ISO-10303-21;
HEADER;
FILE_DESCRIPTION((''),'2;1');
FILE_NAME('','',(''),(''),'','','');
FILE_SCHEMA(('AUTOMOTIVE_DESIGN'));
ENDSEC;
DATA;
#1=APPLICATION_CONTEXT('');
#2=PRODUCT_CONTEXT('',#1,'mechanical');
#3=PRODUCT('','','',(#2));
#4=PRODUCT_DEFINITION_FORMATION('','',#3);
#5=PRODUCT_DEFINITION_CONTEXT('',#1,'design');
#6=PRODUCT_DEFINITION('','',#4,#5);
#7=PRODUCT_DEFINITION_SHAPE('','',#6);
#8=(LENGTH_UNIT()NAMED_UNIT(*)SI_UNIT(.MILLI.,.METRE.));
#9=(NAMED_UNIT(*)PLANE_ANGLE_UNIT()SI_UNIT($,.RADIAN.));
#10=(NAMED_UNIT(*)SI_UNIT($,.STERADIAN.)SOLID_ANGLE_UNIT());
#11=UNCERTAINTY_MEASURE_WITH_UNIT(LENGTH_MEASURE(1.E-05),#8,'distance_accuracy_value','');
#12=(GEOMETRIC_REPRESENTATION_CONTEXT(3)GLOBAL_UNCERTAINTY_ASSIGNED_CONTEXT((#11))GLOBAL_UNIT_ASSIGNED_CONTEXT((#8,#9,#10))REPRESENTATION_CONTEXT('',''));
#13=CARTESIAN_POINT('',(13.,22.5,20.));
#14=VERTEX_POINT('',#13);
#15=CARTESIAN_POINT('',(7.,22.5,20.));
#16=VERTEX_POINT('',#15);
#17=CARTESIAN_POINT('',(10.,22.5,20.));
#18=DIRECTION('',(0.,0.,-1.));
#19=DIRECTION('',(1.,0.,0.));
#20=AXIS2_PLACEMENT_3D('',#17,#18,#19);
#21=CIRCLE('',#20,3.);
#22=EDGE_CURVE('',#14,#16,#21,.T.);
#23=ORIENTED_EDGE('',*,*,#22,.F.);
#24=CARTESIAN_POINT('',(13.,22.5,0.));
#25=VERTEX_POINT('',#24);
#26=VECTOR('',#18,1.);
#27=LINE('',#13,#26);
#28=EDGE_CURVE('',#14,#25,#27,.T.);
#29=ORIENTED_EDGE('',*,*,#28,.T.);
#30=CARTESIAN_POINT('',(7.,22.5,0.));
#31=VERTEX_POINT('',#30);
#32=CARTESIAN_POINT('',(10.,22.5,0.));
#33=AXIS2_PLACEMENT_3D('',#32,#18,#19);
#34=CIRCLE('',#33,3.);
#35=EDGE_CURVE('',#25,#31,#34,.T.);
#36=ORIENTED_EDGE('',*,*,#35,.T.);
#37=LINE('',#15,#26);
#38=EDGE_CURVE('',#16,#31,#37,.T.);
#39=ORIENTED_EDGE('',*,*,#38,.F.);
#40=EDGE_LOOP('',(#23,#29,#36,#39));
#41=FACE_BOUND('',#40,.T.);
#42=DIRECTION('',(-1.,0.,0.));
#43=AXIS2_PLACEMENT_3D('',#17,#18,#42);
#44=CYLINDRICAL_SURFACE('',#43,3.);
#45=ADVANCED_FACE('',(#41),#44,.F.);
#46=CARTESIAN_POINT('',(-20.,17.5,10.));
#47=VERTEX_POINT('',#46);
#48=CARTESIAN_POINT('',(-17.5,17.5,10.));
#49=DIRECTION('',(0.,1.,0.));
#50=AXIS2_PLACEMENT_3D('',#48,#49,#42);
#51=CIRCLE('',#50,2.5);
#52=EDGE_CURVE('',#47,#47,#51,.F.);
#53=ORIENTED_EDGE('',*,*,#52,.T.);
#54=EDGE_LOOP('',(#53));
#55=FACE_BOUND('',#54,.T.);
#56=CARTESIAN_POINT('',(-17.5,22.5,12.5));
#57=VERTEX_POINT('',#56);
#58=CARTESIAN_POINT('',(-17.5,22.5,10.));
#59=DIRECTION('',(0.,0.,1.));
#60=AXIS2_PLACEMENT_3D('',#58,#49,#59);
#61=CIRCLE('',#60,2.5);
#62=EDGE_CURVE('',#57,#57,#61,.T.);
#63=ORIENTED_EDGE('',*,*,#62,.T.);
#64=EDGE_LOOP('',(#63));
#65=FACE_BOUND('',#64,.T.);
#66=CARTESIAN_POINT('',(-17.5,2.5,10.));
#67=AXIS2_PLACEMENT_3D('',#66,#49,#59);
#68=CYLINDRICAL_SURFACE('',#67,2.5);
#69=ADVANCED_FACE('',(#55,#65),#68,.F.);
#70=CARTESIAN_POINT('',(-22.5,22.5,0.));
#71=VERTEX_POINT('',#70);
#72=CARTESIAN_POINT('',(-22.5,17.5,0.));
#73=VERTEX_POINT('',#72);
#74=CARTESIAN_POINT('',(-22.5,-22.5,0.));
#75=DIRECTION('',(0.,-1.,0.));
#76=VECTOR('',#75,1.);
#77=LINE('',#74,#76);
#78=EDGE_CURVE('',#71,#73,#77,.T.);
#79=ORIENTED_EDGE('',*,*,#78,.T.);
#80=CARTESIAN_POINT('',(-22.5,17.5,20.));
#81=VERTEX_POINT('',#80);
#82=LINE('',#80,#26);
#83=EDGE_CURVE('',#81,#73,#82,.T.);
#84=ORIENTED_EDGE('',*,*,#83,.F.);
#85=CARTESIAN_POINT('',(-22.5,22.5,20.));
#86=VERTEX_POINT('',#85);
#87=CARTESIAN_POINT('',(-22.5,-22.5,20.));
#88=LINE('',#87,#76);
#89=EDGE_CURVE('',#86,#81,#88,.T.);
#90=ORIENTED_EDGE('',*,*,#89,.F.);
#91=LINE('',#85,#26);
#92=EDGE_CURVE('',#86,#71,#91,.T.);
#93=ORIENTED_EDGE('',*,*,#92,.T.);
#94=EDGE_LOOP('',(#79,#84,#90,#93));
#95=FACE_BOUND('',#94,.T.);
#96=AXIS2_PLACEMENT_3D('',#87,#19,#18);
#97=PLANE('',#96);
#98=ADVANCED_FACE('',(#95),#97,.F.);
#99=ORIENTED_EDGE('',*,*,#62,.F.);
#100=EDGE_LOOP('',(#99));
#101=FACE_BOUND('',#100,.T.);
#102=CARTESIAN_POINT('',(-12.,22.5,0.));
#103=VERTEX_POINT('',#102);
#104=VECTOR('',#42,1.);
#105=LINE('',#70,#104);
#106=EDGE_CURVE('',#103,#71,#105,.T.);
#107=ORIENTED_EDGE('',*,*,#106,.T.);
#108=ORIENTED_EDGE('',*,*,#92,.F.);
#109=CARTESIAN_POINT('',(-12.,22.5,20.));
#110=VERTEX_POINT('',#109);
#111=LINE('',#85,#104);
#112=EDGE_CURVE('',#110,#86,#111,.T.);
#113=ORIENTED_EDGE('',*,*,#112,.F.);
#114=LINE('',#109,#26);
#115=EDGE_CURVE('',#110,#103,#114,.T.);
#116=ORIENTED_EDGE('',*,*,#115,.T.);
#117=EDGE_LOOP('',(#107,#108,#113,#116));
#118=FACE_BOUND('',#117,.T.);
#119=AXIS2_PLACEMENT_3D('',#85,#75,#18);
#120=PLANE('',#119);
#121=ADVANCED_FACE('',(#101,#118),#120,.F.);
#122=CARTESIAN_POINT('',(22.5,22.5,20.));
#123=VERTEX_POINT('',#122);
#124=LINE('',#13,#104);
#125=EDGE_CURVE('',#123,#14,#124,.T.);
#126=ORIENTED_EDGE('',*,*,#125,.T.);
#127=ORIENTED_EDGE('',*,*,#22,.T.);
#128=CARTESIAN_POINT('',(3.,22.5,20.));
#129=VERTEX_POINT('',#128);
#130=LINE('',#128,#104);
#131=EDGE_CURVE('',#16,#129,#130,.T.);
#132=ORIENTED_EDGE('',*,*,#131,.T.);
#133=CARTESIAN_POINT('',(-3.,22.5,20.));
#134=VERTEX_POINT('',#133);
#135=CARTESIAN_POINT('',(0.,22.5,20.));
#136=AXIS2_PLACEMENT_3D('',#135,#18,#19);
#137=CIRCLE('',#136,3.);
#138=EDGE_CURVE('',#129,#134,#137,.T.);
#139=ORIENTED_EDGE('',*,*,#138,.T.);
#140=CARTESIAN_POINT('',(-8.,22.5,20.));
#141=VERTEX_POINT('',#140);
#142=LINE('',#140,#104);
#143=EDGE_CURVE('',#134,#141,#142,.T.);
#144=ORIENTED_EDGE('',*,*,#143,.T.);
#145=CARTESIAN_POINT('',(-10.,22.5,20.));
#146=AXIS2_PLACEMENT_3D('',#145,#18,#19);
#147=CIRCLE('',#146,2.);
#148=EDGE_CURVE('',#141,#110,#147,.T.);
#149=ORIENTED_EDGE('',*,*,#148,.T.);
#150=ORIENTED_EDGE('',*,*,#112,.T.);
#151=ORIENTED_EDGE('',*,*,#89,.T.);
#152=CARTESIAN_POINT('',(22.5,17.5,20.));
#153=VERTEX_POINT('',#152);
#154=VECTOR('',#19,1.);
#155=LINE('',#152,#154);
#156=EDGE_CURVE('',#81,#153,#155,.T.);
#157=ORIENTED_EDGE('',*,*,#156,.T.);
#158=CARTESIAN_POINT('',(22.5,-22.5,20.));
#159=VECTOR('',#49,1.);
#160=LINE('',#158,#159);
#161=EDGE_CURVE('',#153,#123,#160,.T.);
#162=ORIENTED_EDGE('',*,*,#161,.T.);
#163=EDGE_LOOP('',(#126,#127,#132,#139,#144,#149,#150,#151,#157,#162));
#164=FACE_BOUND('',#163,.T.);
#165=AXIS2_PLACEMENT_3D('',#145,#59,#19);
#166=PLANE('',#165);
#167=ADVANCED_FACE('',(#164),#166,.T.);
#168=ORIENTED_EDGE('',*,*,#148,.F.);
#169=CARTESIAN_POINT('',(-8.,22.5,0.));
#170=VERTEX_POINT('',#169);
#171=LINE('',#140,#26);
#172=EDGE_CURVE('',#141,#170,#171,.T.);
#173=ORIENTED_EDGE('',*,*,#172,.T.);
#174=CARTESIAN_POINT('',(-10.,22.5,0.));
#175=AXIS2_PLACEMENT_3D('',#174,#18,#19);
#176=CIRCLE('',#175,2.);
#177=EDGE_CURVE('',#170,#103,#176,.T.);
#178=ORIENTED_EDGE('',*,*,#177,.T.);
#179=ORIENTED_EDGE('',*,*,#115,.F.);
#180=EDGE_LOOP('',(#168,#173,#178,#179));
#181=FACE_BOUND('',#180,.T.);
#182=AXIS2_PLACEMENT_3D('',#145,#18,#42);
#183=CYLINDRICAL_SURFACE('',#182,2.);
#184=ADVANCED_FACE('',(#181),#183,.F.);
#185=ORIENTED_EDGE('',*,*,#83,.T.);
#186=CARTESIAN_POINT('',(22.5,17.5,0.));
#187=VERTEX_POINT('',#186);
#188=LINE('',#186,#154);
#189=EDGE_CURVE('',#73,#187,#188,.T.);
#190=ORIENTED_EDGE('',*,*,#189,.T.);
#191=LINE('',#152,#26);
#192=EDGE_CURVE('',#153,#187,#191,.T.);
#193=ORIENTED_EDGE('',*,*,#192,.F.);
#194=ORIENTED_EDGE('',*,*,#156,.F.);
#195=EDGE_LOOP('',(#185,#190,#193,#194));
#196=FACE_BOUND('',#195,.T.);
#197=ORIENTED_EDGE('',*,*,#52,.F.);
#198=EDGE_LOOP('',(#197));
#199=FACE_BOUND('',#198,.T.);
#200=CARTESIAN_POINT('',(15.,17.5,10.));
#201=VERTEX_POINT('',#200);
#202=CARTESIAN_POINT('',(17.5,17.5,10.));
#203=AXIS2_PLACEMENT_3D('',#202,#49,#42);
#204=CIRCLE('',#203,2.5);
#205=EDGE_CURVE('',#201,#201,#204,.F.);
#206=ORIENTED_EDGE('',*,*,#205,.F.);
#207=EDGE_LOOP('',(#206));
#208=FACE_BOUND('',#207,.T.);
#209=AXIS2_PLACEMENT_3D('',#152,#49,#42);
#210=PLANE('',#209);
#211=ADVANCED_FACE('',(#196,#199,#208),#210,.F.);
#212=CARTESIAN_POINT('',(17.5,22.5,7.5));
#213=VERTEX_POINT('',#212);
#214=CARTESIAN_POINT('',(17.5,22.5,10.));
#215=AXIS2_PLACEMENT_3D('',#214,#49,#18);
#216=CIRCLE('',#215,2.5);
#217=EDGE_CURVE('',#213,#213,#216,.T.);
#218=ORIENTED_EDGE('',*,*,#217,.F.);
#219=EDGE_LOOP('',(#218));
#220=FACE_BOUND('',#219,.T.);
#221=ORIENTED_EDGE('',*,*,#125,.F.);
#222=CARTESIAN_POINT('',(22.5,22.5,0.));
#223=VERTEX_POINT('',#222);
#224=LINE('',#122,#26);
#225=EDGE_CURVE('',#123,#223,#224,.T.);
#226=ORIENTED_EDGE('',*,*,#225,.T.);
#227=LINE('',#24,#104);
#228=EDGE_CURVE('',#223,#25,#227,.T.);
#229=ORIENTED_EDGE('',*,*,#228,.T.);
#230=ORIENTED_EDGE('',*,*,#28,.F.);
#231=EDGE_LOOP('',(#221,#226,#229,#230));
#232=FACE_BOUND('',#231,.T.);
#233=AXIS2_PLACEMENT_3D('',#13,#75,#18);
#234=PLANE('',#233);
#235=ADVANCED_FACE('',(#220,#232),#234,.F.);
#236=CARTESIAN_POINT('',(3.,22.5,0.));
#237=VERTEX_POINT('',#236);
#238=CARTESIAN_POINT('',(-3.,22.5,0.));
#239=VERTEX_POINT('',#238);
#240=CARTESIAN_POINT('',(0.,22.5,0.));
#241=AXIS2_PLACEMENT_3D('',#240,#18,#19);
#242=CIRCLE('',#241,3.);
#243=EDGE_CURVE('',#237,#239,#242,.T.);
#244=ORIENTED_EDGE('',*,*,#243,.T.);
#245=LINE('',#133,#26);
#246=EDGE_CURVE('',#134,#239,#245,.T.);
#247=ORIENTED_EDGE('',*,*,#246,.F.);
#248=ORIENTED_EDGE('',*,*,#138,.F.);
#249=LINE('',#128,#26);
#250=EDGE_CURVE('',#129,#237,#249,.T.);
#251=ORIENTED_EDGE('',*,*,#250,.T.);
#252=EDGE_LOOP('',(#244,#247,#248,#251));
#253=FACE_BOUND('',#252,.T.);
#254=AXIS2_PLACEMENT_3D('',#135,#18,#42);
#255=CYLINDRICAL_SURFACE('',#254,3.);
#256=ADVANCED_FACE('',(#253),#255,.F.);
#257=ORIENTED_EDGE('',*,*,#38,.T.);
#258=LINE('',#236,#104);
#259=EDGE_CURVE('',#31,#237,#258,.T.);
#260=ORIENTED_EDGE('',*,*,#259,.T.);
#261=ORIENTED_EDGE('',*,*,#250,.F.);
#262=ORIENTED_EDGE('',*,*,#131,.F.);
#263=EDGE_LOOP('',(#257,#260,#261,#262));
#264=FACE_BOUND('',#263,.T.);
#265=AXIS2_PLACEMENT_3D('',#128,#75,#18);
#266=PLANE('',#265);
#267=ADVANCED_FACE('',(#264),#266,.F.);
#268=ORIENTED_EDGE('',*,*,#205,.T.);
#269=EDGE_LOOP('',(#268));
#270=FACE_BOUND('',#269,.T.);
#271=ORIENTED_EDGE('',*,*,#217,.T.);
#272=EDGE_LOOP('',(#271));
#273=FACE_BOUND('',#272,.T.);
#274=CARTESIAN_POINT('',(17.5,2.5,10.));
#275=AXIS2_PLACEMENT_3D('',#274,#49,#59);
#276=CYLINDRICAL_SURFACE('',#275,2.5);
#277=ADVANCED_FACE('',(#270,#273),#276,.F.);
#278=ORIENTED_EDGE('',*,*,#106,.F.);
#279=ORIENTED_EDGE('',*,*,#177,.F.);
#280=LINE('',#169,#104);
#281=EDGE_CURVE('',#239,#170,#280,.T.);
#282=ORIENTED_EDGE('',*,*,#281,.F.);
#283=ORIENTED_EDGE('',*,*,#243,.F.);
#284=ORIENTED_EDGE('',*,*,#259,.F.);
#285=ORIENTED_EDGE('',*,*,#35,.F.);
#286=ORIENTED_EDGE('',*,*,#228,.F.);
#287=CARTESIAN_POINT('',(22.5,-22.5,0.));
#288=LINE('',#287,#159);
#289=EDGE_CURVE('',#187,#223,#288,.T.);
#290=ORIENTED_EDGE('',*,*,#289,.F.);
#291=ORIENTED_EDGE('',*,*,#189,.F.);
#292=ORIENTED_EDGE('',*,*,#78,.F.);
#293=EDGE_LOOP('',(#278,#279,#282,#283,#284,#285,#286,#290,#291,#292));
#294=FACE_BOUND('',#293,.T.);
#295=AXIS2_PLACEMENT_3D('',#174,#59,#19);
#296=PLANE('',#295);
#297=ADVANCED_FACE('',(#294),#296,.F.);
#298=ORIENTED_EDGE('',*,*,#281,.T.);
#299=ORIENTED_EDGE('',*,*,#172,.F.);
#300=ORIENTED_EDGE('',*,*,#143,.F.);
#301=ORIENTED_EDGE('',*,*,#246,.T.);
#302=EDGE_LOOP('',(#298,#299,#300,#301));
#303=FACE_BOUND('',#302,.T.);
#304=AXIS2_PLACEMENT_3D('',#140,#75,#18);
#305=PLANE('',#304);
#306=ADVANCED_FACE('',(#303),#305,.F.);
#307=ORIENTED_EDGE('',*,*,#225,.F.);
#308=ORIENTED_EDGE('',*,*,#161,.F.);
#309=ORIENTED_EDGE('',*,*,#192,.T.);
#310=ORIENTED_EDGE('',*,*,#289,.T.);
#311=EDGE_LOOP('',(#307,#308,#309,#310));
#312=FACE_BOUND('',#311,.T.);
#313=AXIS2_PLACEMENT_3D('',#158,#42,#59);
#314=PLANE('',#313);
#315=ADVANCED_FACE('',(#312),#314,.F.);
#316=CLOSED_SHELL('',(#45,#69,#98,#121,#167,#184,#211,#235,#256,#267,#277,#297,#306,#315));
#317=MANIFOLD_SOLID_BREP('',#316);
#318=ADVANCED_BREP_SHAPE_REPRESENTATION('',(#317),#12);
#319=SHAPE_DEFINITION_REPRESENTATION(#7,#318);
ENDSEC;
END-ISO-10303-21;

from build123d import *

# Parameters (mm, degrees)
BOSS_EXTRUDE1_DEPTH = 20
SKETCH2_R           = 2.5
CUT_EXTRUDE1_DEPTH  = 20
SKETCH3_W           = 45
SKETCH3_H           = 40
CUT_EXTRUDE2_DEPTH  = 20


with BuildPart() as part:
    # Sketch1 → Boss-Extrude1 (new body)
    with BuildSketch(Plane.XY):
        with BuildLine():
            Line((-22.5, -22.5), (22.5, -22.5))
            Line((22.5, -22.5), (22.5, 22.5))
            Line((22.5, 22.5), (13, 22.5))
            ThreePointArc((13, 22.5), (10, 19.5), (7, 22.5))
            Line((7, 22.5), (3, 22.5))
            ThreePointArc((3, 22.5), (0, 19.5), (-3, 22.5))
            Line((-3, 22.5), (-8, 22.5))
            ThreePointArc((-8, 22.5), (-10, 20.5), (-12, 22.5))
            Line((-12, 22.5), (-22.5, 22.5))
            Line((-22.5, 22.5), (-22.5, -22.5))
        make_face()
    extrude(amount=BOSS_EXTRUDE1_DEPTH)

    # Sketch2 → Cut-Extrude1 (cut)
    with BuildSketch(Plane(origin=(0, 22.5, 0), x_dir=(1, 0, 0), z_dir=(0, 1, 0))):
        with Locations((-17.5, -10)):
            Circle(SKETCH2_R)
        with Locations((17.5, -10)):
            Circle(SKETCH2_R)
    extrude(amount=-CUT_EXTRUDE1_DEPTH, mode=Mode.SUBTRACT)

    # Sketch3 → Cut-Extrude2 (cut)
    with BuildSketch(Plane(origin=(0, 0, 0), x_dir=(-1, 0, 0), z_dir=(0, 0, -1))):
        with Locations((0, -2.5)):
            Rectangle(SKETCH3_W, SKETCH3_H)
    extrude(amount=-CUT_EXTRUDE2_DEPTH, mode=Mode.SUBTRACT)


solid = part.part
